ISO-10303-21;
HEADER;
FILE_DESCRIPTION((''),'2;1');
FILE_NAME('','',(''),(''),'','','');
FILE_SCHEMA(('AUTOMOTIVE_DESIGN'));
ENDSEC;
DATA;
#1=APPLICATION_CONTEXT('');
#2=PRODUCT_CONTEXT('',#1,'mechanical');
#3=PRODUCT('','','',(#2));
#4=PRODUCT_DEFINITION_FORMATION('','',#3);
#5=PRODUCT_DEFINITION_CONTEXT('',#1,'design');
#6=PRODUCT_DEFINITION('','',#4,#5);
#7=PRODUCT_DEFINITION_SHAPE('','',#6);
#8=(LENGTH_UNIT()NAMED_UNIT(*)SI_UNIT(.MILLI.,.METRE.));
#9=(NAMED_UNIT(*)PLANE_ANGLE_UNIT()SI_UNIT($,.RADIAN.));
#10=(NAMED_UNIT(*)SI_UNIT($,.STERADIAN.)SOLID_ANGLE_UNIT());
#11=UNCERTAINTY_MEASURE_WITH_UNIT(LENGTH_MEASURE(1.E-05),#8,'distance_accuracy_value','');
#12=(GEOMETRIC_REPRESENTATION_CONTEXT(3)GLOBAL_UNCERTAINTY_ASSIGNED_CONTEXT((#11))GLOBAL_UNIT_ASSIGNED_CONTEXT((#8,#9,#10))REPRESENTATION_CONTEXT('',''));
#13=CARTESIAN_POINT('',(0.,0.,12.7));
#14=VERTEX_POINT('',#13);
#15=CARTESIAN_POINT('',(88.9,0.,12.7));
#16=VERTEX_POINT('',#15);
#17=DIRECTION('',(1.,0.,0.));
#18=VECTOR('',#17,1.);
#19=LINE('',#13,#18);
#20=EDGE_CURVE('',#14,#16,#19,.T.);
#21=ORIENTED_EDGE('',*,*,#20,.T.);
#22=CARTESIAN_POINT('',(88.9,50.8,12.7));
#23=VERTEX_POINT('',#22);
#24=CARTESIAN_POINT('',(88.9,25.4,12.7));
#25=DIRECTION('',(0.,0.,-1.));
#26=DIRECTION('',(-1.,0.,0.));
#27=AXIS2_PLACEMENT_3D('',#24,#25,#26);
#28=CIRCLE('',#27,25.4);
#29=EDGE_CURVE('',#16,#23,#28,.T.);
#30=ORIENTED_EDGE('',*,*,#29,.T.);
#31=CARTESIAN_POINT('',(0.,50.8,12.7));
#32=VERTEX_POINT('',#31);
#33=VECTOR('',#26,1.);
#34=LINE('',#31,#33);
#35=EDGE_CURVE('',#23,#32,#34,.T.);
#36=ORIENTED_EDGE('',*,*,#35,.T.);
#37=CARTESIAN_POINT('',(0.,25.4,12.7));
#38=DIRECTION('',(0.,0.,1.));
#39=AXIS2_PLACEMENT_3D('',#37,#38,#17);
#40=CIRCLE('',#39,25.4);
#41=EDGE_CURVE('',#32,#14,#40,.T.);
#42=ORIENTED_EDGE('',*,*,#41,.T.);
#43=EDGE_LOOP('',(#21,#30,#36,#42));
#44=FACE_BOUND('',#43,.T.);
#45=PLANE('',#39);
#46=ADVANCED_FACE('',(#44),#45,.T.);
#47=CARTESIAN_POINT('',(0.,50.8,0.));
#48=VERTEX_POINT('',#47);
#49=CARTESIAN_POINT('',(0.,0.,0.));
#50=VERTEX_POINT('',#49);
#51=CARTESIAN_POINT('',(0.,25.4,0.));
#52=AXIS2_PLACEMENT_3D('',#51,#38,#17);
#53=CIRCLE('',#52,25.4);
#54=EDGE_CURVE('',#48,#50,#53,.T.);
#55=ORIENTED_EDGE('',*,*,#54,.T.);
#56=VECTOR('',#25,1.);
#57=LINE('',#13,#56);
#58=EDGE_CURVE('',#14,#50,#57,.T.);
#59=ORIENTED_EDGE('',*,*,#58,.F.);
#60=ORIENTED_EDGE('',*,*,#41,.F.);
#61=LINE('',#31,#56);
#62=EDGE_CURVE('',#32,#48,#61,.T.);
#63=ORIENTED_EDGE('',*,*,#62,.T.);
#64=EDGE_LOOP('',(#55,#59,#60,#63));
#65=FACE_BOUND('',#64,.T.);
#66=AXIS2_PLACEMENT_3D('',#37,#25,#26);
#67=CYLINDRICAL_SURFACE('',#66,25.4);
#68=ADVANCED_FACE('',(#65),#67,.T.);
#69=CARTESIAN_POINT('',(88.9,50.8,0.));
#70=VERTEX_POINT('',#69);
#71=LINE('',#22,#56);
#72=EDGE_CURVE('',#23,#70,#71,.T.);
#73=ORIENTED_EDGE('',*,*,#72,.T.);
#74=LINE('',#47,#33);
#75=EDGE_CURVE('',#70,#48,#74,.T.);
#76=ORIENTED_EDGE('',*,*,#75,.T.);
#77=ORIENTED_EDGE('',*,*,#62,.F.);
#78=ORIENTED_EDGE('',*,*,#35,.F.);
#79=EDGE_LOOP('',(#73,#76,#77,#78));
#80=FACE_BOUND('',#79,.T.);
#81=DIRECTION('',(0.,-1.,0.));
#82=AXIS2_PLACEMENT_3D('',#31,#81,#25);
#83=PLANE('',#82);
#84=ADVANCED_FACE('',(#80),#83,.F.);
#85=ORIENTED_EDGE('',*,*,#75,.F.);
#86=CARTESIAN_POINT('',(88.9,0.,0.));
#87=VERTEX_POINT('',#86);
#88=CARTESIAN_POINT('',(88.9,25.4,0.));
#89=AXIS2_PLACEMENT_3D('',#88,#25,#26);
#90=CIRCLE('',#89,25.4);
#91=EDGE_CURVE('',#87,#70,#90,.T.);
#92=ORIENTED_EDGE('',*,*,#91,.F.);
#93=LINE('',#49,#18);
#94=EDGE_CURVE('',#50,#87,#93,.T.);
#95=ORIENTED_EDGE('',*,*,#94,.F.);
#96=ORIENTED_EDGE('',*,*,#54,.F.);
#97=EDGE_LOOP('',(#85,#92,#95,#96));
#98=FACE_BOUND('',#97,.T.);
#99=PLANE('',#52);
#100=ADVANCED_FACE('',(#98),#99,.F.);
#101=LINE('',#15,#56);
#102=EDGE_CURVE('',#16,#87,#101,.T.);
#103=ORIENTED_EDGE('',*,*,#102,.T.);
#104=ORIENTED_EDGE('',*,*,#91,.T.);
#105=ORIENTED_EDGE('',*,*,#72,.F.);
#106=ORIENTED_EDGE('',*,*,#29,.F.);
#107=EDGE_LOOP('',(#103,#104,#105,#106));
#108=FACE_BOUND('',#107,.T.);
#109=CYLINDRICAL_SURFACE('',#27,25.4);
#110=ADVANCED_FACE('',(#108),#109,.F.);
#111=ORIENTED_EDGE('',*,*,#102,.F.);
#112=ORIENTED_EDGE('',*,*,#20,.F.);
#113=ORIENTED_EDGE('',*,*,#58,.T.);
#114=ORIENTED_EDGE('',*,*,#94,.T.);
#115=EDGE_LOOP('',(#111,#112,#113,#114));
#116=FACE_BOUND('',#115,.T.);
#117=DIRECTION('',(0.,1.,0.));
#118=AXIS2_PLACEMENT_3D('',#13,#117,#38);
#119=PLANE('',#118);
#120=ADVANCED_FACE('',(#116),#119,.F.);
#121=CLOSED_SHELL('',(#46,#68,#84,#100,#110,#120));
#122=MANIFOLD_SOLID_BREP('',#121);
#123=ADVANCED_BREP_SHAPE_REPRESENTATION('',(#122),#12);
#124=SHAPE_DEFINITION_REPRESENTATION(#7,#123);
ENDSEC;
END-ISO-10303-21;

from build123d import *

# Parameters (mm, degrees)
BOSS_EXTRUDE1_DEPTH = 12.7


with BuildPart() as part:
    # Sketch1 → Boss-Extrude1 (new body)
    with BuildSketch(Plane.XY):
        with BuildLine():
            Line((0, 0), (88.9, 0))
            ThreePointArc((88.9, 0), (63.5, 25.4), (88.9, 50.8))
            Line((88.9, 50.8), (0, 50.8))
            ThreePointArc((0, 50.8), (-25.4, 25.4), (0, 0))
        make_face()
    extrude(amount=BOSS_EXTRUDE1_DEPTH)


solid = part.part
